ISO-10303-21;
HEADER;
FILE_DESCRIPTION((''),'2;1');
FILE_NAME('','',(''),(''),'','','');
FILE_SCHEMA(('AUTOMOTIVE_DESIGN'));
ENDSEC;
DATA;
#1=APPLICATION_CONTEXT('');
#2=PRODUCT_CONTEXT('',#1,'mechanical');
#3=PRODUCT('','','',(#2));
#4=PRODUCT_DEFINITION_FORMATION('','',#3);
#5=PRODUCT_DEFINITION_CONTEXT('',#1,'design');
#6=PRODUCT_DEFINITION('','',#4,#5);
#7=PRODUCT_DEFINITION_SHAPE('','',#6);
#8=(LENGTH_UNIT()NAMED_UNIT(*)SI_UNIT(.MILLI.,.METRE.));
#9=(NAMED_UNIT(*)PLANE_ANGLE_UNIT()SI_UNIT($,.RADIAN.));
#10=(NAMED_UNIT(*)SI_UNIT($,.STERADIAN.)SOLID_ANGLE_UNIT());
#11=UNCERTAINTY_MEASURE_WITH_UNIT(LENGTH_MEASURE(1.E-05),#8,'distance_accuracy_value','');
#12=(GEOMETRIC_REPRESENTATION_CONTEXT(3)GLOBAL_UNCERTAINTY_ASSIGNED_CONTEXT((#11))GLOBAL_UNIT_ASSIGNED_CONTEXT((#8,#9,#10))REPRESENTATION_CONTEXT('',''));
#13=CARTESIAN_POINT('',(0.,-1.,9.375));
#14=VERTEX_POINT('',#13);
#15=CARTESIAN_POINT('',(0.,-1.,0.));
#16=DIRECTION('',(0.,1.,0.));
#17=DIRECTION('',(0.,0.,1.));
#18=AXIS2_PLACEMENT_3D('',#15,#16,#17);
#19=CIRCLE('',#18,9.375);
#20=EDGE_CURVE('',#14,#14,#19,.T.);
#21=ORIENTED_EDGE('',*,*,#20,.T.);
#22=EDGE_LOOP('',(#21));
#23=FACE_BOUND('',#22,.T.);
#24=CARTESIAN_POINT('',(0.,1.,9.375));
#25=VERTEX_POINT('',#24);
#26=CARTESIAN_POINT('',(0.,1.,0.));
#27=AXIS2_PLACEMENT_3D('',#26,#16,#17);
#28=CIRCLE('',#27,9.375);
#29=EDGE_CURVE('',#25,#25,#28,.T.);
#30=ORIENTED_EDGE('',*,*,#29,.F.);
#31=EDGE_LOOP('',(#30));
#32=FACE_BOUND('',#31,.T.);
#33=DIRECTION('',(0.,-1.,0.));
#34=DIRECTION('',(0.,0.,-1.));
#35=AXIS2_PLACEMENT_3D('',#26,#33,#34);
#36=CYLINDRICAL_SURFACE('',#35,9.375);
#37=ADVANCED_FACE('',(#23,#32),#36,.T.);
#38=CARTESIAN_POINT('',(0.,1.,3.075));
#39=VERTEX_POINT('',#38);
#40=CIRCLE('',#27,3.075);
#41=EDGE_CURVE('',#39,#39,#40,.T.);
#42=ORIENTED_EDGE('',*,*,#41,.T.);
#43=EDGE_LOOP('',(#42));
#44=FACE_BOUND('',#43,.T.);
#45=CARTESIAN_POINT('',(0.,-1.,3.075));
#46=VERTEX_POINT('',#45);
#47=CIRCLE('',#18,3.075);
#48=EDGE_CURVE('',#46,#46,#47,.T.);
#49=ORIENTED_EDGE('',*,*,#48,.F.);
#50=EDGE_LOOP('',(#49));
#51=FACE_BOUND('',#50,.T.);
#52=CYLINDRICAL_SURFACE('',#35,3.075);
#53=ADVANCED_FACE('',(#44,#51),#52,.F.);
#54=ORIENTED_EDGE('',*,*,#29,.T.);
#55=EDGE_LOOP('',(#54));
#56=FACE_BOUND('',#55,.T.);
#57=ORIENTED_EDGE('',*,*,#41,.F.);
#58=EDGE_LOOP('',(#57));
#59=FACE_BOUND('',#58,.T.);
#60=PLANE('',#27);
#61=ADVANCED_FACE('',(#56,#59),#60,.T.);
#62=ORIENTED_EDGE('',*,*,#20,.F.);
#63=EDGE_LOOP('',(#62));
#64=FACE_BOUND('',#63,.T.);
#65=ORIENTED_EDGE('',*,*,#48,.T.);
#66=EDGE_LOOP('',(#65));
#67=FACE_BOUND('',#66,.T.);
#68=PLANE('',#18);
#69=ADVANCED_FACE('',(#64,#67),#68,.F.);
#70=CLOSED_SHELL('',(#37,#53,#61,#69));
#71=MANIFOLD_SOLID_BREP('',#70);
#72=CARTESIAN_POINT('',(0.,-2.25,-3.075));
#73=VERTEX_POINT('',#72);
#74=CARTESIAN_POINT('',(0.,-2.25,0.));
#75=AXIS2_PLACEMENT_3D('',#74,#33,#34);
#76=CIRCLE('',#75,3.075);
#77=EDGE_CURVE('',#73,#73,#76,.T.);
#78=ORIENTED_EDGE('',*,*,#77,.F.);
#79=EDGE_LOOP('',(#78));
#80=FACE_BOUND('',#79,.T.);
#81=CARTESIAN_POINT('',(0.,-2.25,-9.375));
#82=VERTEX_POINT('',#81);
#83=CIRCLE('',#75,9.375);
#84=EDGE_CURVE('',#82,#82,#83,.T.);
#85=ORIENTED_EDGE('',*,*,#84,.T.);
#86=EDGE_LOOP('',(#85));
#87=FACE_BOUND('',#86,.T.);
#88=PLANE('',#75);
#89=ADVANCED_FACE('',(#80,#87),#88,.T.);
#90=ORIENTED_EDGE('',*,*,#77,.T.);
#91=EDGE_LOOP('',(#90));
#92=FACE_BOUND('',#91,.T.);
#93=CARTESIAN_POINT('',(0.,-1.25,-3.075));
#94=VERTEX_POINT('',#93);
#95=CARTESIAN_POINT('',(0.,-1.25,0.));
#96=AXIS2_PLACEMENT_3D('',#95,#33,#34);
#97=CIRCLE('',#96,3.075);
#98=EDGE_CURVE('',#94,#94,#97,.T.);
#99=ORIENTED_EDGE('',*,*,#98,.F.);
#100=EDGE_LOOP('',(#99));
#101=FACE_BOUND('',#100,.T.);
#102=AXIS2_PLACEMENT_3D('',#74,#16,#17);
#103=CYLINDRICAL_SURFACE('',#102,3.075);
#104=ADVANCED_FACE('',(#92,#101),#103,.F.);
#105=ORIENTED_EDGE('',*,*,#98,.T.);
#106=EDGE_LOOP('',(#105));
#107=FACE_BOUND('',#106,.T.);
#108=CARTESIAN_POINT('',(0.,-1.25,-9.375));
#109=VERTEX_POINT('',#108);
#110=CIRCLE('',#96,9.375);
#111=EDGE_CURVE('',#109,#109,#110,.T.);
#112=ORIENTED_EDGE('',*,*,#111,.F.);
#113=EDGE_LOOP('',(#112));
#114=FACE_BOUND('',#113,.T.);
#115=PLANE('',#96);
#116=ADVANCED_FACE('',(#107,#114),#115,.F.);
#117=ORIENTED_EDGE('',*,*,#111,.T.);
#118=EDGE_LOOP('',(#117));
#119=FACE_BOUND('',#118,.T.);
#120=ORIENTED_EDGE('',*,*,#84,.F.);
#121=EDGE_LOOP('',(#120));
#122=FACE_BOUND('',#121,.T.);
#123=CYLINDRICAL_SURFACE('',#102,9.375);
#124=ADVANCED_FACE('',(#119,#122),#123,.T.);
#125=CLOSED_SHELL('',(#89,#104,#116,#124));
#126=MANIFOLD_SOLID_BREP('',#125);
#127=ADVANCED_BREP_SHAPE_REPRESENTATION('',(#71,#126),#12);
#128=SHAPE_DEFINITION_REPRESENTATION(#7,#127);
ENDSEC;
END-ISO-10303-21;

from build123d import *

# Parameters (mm, degrees)
SKETCH1_R           = 9.375
SKETCH1_R_2         = 3.075
BOSS_EXTRUDE1_DEPTH = 1
SKETCH2_R           = 9.375
SKETCH2_R_2         = 3.075
BOSS_EXTRUDE2_DEPTH = 1


with BuildPart() as part:
    # Sketch1 → Boss-Extrude1 (new body, symmetric)
    with BuildSketch(Plane(origin=(0, 0, 0), x_dir=(1, 0, 0), z_dir=(0, 1, 0))):
        Circle(SKETCH1_R)
        Circle(SKETCH1_R_2, mode=Mode.SUBTRACT)
    extrude(amount=BOSS_EXTRUDE1_DEPTH, both=True)


with BuildPart() as body_2:
    # Sketch2 → Boss-Extrude2 (new body)
    with BuildSketch(Plane(origin=(0, -1.25, 0), x_dir=(-1, 0, 0), z_dir=(0, -1, 0))):
        Circle(SKETCH2_R)
        Circle(SKETCH2_R_2, mode=Mode.SUBTRACT)
    extrude(amount=BOSS_EXTRUDE2_DEPTH)


solid = Compound([part.part, body_2.part])
